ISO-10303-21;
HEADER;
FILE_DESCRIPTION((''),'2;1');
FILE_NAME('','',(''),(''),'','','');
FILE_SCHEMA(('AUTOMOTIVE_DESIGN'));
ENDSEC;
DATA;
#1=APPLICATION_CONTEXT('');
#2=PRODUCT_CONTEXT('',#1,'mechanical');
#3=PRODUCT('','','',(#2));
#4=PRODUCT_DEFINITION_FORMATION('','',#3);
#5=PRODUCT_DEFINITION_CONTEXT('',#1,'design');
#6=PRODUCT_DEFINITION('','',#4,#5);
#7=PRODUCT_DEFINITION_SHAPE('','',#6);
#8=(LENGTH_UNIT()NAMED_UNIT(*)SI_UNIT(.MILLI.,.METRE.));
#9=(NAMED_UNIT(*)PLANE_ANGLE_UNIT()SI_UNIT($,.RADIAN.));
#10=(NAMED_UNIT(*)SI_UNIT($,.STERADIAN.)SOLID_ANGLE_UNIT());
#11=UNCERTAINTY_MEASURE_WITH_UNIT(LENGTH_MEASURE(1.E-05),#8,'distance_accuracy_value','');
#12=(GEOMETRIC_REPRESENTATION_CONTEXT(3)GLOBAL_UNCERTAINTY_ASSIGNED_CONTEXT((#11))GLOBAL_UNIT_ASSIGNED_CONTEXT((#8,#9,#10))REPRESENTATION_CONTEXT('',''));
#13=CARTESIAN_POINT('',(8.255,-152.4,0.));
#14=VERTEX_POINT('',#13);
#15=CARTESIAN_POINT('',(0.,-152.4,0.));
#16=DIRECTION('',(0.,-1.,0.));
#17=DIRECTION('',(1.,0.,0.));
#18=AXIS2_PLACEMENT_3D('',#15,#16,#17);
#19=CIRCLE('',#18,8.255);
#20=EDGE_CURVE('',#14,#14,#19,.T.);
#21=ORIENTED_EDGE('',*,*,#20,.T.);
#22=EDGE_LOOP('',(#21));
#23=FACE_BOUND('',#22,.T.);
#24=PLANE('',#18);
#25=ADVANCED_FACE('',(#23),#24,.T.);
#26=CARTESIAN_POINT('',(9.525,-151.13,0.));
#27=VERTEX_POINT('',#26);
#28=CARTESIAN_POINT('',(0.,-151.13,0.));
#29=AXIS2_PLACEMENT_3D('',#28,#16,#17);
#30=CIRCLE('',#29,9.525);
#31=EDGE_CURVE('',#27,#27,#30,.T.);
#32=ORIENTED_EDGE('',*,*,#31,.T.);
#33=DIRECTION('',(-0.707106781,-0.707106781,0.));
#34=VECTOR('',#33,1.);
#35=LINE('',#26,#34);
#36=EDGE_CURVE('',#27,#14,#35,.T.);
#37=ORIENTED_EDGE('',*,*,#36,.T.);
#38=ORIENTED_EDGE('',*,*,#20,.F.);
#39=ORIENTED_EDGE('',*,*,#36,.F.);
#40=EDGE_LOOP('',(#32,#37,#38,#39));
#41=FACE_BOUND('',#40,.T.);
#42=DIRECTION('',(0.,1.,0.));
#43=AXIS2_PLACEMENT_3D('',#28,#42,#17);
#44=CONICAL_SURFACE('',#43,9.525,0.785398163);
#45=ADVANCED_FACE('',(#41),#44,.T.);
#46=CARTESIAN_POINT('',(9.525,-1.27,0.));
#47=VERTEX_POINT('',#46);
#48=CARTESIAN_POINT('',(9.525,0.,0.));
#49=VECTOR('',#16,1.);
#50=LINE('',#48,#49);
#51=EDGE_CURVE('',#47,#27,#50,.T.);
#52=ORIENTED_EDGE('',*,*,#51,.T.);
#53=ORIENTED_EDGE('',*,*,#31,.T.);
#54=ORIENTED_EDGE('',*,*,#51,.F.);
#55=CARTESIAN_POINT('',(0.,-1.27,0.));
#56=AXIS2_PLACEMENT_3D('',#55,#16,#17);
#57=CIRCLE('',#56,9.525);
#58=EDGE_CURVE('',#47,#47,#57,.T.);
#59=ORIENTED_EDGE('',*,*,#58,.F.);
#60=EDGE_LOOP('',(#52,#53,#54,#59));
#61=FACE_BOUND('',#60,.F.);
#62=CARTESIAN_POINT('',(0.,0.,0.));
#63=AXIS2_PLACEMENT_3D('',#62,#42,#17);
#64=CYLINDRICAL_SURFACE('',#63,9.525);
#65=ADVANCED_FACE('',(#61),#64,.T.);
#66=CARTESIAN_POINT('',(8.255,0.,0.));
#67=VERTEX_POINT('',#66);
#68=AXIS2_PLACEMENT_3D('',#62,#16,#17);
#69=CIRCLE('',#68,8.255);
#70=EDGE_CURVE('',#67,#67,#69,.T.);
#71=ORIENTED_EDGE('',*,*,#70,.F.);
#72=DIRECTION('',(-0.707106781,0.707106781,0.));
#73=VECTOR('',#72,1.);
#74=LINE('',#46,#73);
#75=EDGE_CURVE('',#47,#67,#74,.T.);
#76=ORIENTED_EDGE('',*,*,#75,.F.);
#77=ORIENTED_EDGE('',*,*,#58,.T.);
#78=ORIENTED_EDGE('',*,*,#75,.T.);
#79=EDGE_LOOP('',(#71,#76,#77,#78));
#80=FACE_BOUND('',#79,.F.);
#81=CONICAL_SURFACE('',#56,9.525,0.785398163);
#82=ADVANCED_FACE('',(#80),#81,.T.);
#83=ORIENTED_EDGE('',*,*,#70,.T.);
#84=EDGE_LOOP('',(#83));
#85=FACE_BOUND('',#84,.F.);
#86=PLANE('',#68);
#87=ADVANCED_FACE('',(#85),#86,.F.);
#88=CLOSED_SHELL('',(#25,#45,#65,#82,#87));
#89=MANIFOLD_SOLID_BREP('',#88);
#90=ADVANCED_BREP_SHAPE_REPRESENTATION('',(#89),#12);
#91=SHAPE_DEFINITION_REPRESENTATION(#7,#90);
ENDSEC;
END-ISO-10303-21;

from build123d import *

# Parameters (mm, degrees)
F0_R     = 9.525
F1_DEPTH = 152.4
F2_SIZE2 = 1.27
F2_SIZE  = 1.27
F3_SIZE2 = 1.27
F3_SIZE  = 1.27


with BuildPart() as f1:
    # F0 (on Front) → F1 (new body)
    with BuildSketch(Plane.XZ):
        Circle(F0_R)
    extrude(amount=F1_DEPTH)

    # F2
    f2_edges = [f1.edges().sort_by_distance(p)[0] for p in [
        (-9.525, 0, 0),
    ]]
    chamfer(f2_edges, length=F2_SIZE, length2=F2_SIZE2)

    # F3
    f3_edges = [f1.edges().sort_by_distance(p)[0] for p in [
        (-9.525, -152.4, 0),
    ]]
    chamfer(f3_edges, length=F3_SIZE, length2=F3_SIZE2)


solid = f1.part
